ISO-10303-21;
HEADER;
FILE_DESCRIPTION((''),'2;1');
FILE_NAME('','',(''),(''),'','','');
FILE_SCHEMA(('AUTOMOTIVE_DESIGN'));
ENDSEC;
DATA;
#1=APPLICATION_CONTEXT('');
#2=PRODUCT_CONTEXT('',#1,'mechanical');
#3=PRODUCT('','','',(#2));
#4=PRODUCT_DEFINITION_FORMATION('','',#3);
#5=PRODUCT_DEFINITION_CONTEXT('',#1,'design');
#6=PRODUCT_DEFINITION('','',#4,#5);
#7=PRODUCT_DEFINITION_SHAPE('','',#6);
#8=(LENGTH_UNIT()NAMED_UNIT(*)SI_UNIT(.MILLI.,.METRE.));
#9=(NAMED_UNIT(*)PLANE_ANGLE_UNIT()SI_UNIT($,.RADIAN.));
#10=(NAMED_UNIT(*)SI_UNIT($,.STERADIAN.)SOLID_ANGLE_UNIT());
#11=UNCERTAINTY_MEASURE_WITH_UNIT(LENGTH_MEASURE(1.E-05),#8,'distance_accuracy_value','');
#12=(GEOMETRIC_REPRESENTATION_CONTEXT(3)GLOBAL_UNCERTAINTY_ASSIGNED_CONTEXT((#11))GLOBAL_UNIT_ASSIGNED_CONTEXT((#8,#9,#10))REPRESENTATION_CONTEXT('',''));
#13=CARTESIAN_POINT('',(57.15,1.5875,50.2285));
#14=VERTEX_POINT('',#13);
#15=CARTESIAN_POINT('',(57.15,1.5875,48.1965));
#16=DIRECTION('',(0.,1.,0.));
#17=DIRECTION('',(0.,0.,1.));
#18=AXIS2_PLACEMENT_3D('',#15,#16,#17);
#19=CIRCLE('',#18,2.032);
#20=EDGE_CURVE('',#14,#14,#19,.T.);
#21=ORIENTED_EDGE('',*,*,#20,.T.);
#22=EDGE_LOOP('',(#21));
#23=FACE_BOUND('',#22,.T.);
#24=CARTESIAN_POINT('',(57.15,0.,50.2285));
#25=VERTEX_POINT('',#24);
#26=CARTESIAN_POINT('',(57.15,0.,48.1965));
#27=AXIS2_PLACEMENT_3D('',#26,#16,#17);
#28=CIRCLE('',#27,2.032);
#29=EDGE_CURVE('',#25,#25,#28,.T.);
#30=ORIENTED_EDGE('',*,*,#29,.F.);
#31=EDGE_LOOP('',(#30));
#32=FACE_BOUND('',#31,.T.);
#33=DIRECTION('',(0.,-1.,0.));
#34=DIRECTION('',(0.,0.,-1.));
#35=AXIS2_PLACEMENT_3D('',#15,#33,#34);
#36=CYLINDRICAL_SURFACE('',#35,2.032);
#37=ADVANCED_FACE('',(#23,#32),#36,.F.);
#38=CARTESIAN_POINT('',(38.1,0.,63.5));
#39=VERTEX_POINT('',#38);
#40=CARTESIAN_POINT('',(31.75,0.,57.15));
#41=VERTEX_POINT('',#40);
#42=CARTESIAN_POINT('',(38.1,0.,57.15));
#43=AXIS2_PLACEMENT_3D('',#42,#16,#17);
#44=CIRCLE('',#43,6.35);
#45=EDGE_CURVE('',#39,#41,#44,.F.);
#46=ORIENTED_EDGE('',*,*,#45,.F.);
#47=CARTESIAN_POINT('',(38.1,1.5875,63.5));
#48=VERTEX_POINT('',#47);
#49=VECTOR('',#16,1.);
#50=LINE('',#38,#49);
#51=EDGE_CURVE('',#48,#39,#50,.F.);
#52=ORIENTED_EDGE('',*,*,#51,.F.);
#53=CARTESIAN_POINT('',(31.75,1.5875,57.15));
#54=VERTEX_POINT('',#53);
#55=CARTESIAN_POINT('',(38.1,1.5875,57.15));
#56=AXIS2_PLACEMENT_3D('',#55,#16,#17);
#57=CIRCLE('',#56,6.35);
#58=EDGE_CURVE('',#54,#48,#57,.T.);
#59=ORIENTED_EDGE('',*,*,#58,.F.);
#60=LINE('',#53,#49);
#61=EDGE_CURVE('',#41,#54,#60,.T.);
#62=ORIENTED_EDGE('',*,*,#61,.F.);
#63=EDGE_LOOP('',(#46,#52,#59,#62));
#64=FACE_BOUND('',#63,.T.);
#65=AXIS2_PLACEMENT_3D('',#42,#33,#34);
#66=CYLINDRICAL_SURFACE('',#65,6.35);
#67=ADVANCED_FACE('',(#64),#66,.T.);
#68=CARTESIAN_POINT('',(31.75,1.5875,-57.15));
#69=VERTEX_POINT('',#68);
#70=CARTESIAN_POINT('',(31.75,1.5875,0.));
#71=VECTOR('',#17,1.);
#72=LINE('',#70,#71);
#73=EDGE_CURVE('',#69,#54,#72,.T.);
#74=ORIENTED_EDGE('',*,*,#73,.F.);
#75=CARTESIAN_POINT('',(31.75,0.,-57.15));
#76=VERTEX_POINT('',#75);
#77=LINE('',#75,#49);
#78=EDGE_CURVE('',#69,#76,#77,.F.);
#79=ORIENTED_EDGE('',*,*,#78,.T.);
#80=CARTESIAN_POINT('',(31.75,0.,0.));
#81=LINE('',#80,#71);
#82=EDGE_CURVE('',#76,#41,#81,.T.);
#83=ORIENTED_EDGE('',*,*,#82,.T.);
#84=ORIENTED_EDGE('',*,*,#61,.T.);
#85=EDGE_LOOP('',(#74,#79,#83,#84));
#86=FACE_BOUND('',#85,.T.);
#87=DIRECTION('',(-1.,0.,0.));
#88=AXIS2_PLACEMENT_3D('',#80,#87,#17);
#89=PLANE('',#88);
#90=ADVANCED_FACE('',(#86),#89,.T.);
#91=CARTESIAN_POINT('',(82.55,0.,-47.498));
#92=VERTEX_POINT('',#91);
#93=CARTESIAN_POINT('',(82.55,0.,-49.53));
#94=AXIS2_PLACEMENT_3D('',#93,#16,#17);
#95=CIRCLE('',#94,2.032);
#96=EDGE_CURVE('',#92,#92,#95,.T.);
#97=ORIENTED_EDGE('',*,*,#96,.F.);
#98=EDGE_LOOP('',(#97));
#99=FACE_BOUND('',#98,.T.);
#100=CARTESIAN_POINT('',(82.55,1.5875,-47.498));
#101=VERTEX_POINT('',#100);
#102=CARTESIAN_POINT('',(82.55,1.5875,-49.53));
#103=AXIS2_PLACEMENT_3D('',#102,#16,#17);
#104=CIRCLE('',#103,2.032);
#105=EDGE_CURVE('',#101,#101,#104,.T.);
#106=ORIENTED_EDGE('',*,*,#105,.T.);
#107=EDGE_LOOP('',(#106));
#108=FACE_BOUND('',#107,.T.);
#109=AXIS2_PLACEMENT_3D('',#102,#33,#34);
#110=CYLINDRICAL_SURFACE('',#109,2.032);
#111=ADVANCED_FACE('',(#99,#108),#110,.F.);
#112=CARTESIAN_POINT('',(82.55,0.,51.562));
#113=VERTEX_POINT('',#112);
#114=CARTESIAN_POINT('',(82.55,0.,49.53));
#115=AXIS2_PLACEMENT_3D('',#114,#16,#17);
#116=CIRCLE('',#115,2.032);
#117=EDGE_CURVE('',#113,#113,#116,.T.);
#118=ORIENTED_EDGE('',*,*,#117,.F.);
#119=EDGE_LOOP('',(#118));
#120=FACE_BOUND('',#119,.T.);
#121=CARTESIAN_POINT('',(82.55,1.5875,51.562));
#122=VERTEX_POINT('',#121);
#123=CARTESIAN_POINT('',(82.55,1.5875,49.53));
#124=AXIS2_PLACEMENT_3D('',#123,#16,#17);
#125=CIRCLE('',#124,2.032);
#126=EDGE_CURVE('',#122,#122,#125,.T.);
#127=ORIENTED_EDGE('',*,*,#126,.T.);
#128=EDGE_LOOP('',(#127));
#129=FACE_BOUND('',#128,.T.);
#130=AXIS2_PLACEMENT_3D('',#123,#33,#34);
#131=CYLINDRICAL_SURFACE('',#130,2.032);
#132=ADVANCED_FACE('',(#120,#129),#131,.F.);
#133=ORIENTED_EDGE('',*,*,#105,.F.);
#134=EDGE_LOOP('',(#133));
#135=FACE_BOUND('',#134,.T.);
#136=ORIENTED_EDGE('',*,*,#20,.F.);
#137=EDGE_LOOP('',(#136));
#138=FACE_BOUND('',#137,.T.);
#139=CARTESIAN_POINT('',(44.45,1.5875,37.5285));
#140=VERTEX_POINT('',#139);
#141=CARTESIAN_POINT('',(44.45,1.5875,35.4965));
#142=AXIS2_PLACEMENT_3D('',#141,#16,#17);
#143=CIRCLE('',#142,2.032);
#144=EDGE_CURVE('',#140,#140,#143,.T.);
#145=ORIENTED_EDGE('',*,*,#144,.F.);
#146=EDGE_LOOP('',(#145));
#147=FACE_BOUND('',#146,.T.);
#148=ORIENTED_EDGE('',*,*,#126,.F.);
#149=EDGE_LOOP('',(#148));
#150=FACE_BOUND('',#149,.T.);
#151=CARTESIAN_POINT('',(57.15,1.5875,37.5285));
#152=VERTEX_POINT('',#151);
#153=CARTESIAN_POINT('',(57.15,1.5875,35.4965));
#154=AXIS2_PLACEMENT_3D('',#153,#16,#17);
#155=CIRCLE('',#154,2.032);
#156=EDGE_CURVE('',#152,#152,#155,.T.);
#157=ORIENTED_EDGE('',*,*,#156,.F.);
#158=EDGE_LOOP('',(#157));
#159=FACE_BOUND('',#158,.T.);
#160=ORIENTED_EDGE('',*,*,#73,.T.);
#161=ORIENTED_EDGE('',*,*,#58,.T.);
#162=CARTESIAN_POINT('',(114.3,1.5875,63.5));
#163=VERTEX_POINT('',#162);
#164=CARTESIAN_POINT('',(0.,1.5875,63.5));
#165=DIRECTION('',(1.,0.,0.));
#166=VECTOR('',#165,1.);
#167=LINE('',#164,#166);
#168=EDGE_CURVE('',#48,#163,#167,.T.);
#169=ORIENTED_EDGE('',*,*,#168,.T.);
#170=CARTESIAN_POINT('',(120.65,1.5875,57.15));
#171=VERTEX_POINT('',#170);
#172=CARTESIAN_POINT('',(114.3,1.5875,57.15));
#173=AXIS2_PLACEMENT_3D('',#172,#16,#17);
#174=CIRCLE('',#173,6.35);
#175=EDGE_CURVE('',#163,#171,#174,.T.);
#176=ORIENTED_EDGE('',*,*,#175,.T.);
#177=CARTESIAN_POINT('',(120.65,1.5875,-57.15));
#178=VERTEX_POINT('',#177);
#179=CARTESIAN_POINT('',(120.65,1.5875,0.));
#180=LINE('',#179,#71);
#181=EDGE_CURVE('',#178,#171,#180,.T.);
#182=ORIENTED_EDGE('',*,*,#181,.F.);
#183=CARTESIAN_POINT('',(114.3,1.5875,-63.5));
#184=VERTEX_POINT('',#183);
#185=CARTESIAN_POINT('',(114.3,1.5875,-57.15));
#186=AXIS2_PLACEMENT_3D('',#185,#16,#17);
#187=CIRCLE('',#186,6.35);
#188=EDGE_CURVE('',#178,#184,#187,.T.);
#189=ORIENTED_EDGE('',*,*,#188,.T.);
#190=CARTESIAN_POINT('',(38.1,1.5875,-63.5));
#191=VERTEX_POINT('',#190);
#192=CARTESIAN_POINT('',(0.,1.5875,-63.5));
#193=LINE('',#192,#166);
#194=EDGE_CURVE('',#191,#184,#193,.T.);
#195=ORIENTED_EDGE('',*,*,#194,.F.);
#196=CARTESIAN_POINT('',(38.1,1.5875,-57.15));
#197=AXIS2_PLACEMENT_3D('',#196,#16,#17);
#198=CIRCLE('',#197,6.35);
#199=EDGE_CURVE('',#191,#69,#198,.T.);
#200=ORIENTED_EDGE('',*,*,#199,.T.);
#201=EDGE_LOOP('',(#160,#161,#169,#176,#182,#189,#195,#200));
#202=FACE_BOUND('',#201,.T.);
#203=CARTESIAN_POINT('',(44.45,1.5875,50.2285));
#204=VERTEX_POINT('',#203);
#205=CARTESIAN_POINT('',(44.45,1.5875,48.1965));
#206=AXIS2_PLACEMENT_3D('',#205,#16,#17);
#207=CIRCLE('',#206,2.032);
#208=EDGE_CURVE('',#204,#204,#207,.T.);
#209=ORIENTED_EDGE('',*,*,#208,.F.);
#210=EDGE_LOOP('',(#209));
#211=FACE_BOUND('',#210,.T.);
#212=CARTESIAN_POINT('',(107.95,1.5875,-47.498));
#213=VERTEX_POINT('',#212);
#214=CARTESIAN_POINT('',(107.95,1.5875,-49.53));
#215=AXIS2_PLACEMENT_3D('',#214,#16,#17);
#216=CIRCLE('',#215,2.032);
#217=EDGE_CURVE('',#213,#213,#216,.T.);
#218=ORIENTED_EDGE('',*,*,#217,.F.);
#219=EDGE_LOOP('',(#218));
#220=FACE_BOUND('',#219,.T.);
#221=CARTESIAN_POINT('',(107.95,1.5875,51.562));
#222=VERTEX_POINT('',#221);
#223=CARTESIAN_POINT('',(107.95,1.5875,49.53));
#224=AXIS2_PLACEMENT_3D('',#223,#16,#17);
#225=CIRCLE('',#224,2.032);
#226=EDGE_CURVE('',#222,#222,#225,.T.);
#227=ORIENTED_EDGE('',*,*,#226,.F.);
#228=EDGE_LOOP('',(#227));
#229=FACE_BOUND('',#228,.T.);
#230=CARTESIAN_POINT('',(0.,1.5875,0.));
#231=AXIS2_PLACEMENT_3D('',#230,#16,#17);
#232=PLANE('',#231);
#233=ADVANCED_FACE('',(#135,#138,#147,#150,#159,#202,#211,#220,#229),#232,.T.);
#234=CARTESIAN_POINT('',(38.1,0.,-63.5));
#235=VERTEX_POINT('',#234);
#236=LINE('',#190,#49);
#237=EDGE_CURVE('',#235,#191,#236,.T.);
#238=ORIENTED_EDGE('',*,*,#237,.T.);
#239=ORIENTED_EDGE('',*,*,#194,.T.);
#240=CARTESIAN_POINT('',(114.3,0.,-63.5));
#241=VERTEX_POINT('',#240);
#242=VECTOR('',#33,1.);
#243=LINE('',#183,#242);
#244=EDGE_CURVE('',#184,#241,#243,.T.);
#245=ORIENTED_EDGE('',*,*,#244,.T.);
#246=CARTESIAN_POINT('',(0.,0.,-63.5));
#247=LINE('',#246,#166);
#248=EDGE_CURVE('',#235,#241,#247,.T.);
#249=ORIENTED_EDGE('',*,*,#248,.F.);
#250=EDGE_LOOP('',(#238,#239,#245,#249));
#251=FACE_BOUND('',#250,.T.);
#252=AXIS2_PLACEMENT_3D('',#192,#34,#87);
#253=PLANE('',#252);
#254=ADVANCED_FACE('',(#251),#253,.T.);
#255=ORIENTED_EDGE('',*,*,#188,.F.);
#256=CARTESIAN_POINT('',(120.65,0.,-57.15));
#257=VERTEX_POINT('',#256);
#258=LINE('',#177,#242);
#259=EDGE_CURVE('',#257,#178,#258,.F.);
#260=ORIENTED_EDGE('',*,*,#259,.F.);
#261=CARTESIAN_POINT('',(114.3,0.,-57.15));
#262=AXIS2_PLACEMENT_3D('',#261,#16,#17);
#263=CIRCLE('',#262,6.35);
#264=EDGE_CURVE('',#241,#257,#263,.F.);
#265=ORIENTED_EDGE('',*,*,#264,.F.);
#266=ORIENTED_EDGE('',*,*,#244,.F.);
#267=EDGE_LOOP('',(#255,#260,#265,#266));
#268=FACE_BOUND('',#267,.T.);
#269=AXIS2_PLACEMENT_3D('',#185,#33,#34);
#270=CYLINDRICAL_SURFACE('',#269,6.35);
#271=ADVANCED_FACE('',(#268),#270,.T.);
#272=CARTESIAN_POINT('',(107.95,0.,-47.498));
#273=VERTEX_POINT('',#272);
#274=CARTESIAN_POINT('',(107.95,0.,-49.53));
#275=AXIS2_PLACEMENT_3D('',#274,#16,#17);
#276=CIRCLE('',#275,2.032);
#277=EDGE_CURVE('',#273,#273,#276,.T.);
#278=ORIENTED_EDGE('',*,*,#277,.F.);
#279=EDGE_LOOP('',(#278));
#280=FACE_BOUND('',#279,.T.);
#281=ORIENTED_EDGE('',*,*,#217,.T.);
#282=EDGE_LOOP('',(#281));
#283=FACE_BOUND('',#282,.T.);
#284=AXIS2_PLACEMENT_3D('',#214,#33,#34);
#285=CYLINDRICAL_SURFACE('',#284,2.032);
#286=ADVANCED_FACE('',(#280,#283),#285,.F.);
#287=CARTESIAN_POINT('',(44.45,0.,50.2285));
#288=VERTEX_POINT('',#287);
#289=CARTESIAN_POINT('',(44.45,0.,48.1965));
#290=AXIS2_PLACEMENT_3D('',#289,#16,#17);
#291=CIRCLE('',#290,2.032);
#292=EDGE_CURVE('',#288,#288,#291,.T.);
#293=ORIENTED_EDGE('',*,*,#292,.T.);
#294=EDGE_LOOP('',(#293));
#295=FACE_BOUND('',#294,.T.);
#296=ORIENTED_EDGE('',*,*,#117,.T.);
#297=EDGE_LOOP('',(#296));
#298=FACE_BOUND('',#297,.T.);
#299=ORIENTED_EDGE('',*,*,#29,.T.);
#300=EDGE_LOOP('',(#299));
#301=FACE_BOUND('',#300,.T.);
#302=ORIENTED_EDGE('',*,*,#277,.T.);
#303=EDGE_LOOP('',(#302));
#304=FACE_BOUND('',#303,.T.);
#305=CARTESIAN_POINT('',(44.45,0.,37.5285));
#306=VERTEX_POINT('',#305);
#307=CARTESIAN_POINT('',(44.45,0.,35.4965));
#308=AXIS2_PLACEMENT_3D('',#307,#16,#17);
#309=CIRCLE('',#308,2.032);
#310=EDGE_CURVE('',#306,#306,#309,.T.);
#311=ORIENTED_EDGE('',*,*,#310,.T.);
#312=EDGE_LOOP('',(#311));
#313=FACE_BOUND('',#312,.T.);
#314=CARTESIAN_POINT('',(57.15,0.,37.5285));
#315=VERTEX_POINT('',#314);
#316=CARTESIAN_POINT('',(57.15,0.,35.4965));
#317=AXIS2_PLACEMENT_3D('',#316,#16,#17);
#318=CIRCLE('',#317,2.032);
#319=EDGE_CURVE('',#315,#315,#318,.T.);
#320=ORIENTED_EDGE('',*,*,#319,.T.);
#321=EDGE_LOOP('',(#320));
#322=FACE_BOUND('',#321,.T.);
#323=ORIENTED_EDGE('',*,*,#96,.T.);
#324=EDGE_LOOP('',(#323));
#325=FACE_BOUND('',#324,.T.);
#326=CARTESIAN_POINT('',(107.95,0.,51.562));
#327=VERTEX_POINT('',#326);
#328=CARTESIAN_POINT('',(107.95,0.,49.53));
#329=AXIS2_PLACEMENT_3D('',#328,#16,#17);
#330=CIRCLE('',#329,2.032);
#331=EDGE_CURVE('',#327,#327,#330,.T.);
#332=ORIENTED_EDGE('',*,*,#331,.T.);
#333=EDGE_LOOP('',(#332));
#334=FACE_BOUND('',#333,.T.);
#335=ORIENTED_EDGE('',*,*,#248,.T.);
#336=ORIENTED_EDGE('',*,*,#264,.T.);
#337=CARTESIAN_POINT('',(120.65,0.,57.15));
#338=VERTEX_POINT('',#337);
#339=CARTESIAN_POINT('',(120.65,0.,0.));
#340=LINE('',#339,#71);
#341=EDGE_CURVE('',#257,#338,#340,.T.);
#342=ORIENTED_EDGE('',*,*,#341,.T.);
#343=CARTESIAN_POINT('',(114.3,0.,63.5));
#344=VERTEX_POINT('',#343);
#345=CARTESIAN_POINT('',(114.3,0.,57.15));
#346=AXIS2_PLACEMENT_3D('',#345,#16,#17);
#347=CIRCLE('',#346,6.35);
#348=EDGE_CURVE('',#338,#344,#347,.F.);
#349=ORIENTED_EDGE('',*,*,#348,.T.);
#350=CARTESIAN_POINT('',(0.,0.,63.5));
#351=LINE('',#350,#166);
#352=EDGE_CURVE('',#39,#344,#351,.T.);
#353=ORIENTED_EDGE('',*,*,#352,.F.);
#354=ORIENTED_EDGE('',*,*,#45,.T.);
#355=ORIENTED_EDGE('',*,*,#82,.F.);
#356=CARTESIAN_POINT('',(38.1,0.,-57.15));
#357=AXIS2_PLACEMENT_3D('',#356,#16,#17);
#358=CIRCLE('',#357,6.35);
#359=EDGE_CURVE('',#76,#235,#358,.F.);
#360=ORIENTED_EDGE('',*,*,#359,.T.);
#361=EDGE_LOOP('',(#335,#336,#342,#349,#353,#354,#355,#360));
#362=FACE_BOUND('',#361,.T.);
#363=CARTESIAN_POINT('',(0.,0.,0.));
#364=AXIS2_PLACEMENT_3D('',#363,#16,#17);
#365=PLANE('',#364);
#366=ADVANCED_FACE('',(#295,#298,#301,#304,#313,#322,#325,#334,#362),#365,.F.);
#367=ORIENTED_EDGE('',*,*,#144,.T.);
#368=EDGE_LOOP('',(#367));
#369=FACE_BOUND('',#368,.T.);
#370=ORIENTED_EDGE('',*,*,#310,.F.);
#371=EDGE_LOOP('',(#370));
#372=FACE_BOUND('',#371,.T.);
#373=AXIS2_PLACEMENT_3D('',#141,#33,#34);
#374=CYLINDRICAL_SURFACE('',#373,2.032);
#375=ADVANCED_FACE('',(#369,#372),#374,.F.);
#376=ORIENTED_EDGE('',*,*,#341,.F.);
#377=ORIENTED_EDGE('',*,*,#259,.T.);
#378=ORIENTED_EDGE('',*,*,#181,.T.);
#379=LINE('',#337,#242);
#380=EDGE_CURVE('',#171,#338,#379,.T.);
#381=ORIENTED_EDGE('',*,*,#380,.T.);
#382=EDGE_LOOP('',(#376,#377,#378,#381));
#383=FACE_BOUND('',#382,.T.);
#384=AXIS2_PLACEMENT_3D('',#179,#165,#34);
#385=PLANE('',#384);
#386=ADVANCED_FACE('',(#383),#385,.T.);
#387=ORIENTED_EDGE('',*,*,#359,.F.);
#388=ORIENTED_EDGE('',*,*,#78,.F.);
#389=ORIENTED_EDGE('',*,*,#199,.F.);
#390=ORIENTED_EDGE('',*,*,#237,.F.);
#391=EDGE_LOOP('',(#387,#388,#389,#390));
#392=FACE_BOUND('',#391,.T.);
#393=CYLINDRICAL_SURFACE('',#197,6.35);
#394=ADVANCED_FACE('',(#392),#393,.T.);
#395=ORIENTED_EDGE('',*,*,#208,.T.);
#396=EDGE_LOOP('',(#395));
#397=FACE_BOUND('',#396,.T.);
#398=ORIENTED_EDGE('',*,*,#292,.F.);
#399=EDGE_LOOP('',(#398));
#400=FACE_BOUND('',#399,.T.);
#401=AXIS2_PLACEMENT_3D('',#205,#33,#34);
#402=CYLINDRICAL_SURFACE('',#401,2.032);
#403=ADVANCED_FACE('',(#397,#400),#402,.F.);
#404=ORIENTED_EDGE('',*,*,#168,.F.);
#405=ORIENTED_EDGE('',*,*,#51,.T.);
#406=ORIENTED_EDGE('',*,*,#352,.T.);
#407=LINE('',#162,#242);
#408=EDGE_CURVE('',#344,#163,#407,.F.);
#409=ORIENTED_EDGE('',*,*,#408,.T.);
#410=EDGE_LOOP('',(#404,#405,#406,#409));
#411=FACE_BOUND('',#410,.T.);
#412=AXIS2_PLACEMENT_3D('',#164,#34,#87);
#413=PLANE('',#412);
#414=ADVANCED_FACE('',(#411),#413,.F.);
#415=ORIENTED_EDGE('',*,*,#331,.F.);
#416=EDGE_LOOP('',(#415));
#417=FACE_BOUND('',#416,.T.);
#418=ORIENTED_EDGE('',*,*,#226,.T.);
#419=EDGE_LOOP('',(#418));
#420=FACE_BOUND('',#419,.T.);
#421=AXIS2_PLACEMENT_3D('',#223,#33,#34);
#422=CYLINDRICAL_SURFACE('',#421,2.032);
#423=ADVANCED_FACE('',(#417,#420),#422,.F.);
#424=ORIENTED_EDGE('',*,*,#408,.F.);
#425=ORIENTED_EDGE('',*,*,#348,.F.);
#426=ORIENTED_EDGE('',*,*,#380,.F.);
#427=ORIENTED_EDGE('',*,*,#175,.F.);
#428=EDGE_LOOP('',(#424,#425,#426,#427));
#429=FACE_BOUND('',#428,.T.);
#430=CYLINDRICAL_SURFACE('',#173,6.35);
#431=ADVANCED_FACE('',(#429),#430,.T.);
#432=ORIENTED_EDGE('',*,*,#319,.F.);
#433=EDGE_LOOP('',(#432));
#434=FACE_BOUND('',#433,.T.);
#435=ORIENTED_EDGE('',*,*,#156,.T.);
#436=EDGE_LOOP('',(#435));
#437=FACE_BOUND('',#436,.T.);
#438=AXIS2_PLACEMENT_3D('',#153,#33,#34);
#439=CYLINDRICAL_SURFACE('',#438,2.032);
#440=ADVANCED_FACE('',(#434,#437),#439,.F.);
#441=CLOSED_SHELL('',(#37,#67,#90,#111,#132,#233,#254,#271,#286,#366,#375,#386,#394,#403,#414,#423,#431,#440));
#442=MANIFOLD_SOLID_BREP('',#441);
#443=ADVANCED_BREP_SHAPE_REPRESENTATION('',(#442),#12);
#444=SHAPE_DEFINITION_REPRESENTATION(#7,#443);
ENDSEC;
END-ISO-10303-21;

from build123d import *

# Parameters (mm, degrees)
SKETCH1_W           = 241.3
SKETCH1_H           = 127
SKETCH1_R           = 2.032
BOSS_EXTRUDE1_DEPTH = 1.5875
SKETCH2_W           = 152.4
SKETCH2_H           = 127
CUT_EXTRUDE1_DEPTH  = 137.349523858
FILLET2_R           = 6.35


with BuildPart() as part:
    # Sketch1 → Boss-Extrude1 (new body)
    with BuildSketch(Plane(origin=(0, 0, 0), x_dir=(1, 0, 0), z_dir=(0, 1, 0))):
        Rectangle(SKETCH1_W, SKETCH1_H)
        with Locations(Location((82.55, 49.53, 0), (0, 0, 270))):
            Circle(SKETCH1_R, mode=Mode.SUBTRACT)
        with Locations(Location((82.55, -49.53, 0), (0, 0, 270))):
            Circle(SKETCH1_R, mode=Mode.SUBTRACT)
        with Locations(Location((107.95, -49.53, 0), (0, 0, 270))):
            Circle(SKETCH1_R, mode=Mode.SUBTRACT)
        with Locations(Location((107.95, 49.53, 0), (0, 0, 270))):
            Circle(SKETCH1_R, mode=Mode.SUBTRACT)
        with Locations(Location((57.15, -35.4965, 0), (0, 0, 270))):
            Circle(SKETCH1_R, mode=Mode.SUBTRACT)
        with Locations(Location((44.45, -35.4965, 0), (0, 0, 270))):
            Circle(SKETCH1_R, mode=Mode.SUBTRACT)
        with Locations(Location((44.45, -48.1965, 0), (0, 0, 270))):
            Circle(SKETCH1_R, mode=Mode.SUBTRACT)
        with Locations(Location((57.15, -48.1965, 0), (0, 0, 270))):
            Circle(SKETCH1_R, mode=Mode.SUBTRACT)
    extrude(amount=BOSS_EXTRUDE1_DEPTH)

    # Sketch2 → Cut-Extrude1 (cut, through all)
    with BuildSketch(Plane(origin=(0, 1.5875, 0), x_dir=(1, 0, 0), z_dir=(0, 1, 0))):
        with Locations((-44.45, 0)):
            Rectangle(SKETCH2_W, SKETCH2_H)
    extrude(amount=-CUT_EXTRUDE1_DEPTH, mode=Mode.SUBTRACT)

    # Fillet2
    fillet2_edges = [part.edges().sort_by_distance(p)[0] for p in [
        (120.65, 0.79375, 63.5),
        (120.65, 0.79375, -63.5),
        (31.75, 0.79375, -63.5),
        (31.75, 0.79375, 63.5),
    ]]
    fillet(fillet2_edges, radius=FILLET2_R)


solid = part.part
